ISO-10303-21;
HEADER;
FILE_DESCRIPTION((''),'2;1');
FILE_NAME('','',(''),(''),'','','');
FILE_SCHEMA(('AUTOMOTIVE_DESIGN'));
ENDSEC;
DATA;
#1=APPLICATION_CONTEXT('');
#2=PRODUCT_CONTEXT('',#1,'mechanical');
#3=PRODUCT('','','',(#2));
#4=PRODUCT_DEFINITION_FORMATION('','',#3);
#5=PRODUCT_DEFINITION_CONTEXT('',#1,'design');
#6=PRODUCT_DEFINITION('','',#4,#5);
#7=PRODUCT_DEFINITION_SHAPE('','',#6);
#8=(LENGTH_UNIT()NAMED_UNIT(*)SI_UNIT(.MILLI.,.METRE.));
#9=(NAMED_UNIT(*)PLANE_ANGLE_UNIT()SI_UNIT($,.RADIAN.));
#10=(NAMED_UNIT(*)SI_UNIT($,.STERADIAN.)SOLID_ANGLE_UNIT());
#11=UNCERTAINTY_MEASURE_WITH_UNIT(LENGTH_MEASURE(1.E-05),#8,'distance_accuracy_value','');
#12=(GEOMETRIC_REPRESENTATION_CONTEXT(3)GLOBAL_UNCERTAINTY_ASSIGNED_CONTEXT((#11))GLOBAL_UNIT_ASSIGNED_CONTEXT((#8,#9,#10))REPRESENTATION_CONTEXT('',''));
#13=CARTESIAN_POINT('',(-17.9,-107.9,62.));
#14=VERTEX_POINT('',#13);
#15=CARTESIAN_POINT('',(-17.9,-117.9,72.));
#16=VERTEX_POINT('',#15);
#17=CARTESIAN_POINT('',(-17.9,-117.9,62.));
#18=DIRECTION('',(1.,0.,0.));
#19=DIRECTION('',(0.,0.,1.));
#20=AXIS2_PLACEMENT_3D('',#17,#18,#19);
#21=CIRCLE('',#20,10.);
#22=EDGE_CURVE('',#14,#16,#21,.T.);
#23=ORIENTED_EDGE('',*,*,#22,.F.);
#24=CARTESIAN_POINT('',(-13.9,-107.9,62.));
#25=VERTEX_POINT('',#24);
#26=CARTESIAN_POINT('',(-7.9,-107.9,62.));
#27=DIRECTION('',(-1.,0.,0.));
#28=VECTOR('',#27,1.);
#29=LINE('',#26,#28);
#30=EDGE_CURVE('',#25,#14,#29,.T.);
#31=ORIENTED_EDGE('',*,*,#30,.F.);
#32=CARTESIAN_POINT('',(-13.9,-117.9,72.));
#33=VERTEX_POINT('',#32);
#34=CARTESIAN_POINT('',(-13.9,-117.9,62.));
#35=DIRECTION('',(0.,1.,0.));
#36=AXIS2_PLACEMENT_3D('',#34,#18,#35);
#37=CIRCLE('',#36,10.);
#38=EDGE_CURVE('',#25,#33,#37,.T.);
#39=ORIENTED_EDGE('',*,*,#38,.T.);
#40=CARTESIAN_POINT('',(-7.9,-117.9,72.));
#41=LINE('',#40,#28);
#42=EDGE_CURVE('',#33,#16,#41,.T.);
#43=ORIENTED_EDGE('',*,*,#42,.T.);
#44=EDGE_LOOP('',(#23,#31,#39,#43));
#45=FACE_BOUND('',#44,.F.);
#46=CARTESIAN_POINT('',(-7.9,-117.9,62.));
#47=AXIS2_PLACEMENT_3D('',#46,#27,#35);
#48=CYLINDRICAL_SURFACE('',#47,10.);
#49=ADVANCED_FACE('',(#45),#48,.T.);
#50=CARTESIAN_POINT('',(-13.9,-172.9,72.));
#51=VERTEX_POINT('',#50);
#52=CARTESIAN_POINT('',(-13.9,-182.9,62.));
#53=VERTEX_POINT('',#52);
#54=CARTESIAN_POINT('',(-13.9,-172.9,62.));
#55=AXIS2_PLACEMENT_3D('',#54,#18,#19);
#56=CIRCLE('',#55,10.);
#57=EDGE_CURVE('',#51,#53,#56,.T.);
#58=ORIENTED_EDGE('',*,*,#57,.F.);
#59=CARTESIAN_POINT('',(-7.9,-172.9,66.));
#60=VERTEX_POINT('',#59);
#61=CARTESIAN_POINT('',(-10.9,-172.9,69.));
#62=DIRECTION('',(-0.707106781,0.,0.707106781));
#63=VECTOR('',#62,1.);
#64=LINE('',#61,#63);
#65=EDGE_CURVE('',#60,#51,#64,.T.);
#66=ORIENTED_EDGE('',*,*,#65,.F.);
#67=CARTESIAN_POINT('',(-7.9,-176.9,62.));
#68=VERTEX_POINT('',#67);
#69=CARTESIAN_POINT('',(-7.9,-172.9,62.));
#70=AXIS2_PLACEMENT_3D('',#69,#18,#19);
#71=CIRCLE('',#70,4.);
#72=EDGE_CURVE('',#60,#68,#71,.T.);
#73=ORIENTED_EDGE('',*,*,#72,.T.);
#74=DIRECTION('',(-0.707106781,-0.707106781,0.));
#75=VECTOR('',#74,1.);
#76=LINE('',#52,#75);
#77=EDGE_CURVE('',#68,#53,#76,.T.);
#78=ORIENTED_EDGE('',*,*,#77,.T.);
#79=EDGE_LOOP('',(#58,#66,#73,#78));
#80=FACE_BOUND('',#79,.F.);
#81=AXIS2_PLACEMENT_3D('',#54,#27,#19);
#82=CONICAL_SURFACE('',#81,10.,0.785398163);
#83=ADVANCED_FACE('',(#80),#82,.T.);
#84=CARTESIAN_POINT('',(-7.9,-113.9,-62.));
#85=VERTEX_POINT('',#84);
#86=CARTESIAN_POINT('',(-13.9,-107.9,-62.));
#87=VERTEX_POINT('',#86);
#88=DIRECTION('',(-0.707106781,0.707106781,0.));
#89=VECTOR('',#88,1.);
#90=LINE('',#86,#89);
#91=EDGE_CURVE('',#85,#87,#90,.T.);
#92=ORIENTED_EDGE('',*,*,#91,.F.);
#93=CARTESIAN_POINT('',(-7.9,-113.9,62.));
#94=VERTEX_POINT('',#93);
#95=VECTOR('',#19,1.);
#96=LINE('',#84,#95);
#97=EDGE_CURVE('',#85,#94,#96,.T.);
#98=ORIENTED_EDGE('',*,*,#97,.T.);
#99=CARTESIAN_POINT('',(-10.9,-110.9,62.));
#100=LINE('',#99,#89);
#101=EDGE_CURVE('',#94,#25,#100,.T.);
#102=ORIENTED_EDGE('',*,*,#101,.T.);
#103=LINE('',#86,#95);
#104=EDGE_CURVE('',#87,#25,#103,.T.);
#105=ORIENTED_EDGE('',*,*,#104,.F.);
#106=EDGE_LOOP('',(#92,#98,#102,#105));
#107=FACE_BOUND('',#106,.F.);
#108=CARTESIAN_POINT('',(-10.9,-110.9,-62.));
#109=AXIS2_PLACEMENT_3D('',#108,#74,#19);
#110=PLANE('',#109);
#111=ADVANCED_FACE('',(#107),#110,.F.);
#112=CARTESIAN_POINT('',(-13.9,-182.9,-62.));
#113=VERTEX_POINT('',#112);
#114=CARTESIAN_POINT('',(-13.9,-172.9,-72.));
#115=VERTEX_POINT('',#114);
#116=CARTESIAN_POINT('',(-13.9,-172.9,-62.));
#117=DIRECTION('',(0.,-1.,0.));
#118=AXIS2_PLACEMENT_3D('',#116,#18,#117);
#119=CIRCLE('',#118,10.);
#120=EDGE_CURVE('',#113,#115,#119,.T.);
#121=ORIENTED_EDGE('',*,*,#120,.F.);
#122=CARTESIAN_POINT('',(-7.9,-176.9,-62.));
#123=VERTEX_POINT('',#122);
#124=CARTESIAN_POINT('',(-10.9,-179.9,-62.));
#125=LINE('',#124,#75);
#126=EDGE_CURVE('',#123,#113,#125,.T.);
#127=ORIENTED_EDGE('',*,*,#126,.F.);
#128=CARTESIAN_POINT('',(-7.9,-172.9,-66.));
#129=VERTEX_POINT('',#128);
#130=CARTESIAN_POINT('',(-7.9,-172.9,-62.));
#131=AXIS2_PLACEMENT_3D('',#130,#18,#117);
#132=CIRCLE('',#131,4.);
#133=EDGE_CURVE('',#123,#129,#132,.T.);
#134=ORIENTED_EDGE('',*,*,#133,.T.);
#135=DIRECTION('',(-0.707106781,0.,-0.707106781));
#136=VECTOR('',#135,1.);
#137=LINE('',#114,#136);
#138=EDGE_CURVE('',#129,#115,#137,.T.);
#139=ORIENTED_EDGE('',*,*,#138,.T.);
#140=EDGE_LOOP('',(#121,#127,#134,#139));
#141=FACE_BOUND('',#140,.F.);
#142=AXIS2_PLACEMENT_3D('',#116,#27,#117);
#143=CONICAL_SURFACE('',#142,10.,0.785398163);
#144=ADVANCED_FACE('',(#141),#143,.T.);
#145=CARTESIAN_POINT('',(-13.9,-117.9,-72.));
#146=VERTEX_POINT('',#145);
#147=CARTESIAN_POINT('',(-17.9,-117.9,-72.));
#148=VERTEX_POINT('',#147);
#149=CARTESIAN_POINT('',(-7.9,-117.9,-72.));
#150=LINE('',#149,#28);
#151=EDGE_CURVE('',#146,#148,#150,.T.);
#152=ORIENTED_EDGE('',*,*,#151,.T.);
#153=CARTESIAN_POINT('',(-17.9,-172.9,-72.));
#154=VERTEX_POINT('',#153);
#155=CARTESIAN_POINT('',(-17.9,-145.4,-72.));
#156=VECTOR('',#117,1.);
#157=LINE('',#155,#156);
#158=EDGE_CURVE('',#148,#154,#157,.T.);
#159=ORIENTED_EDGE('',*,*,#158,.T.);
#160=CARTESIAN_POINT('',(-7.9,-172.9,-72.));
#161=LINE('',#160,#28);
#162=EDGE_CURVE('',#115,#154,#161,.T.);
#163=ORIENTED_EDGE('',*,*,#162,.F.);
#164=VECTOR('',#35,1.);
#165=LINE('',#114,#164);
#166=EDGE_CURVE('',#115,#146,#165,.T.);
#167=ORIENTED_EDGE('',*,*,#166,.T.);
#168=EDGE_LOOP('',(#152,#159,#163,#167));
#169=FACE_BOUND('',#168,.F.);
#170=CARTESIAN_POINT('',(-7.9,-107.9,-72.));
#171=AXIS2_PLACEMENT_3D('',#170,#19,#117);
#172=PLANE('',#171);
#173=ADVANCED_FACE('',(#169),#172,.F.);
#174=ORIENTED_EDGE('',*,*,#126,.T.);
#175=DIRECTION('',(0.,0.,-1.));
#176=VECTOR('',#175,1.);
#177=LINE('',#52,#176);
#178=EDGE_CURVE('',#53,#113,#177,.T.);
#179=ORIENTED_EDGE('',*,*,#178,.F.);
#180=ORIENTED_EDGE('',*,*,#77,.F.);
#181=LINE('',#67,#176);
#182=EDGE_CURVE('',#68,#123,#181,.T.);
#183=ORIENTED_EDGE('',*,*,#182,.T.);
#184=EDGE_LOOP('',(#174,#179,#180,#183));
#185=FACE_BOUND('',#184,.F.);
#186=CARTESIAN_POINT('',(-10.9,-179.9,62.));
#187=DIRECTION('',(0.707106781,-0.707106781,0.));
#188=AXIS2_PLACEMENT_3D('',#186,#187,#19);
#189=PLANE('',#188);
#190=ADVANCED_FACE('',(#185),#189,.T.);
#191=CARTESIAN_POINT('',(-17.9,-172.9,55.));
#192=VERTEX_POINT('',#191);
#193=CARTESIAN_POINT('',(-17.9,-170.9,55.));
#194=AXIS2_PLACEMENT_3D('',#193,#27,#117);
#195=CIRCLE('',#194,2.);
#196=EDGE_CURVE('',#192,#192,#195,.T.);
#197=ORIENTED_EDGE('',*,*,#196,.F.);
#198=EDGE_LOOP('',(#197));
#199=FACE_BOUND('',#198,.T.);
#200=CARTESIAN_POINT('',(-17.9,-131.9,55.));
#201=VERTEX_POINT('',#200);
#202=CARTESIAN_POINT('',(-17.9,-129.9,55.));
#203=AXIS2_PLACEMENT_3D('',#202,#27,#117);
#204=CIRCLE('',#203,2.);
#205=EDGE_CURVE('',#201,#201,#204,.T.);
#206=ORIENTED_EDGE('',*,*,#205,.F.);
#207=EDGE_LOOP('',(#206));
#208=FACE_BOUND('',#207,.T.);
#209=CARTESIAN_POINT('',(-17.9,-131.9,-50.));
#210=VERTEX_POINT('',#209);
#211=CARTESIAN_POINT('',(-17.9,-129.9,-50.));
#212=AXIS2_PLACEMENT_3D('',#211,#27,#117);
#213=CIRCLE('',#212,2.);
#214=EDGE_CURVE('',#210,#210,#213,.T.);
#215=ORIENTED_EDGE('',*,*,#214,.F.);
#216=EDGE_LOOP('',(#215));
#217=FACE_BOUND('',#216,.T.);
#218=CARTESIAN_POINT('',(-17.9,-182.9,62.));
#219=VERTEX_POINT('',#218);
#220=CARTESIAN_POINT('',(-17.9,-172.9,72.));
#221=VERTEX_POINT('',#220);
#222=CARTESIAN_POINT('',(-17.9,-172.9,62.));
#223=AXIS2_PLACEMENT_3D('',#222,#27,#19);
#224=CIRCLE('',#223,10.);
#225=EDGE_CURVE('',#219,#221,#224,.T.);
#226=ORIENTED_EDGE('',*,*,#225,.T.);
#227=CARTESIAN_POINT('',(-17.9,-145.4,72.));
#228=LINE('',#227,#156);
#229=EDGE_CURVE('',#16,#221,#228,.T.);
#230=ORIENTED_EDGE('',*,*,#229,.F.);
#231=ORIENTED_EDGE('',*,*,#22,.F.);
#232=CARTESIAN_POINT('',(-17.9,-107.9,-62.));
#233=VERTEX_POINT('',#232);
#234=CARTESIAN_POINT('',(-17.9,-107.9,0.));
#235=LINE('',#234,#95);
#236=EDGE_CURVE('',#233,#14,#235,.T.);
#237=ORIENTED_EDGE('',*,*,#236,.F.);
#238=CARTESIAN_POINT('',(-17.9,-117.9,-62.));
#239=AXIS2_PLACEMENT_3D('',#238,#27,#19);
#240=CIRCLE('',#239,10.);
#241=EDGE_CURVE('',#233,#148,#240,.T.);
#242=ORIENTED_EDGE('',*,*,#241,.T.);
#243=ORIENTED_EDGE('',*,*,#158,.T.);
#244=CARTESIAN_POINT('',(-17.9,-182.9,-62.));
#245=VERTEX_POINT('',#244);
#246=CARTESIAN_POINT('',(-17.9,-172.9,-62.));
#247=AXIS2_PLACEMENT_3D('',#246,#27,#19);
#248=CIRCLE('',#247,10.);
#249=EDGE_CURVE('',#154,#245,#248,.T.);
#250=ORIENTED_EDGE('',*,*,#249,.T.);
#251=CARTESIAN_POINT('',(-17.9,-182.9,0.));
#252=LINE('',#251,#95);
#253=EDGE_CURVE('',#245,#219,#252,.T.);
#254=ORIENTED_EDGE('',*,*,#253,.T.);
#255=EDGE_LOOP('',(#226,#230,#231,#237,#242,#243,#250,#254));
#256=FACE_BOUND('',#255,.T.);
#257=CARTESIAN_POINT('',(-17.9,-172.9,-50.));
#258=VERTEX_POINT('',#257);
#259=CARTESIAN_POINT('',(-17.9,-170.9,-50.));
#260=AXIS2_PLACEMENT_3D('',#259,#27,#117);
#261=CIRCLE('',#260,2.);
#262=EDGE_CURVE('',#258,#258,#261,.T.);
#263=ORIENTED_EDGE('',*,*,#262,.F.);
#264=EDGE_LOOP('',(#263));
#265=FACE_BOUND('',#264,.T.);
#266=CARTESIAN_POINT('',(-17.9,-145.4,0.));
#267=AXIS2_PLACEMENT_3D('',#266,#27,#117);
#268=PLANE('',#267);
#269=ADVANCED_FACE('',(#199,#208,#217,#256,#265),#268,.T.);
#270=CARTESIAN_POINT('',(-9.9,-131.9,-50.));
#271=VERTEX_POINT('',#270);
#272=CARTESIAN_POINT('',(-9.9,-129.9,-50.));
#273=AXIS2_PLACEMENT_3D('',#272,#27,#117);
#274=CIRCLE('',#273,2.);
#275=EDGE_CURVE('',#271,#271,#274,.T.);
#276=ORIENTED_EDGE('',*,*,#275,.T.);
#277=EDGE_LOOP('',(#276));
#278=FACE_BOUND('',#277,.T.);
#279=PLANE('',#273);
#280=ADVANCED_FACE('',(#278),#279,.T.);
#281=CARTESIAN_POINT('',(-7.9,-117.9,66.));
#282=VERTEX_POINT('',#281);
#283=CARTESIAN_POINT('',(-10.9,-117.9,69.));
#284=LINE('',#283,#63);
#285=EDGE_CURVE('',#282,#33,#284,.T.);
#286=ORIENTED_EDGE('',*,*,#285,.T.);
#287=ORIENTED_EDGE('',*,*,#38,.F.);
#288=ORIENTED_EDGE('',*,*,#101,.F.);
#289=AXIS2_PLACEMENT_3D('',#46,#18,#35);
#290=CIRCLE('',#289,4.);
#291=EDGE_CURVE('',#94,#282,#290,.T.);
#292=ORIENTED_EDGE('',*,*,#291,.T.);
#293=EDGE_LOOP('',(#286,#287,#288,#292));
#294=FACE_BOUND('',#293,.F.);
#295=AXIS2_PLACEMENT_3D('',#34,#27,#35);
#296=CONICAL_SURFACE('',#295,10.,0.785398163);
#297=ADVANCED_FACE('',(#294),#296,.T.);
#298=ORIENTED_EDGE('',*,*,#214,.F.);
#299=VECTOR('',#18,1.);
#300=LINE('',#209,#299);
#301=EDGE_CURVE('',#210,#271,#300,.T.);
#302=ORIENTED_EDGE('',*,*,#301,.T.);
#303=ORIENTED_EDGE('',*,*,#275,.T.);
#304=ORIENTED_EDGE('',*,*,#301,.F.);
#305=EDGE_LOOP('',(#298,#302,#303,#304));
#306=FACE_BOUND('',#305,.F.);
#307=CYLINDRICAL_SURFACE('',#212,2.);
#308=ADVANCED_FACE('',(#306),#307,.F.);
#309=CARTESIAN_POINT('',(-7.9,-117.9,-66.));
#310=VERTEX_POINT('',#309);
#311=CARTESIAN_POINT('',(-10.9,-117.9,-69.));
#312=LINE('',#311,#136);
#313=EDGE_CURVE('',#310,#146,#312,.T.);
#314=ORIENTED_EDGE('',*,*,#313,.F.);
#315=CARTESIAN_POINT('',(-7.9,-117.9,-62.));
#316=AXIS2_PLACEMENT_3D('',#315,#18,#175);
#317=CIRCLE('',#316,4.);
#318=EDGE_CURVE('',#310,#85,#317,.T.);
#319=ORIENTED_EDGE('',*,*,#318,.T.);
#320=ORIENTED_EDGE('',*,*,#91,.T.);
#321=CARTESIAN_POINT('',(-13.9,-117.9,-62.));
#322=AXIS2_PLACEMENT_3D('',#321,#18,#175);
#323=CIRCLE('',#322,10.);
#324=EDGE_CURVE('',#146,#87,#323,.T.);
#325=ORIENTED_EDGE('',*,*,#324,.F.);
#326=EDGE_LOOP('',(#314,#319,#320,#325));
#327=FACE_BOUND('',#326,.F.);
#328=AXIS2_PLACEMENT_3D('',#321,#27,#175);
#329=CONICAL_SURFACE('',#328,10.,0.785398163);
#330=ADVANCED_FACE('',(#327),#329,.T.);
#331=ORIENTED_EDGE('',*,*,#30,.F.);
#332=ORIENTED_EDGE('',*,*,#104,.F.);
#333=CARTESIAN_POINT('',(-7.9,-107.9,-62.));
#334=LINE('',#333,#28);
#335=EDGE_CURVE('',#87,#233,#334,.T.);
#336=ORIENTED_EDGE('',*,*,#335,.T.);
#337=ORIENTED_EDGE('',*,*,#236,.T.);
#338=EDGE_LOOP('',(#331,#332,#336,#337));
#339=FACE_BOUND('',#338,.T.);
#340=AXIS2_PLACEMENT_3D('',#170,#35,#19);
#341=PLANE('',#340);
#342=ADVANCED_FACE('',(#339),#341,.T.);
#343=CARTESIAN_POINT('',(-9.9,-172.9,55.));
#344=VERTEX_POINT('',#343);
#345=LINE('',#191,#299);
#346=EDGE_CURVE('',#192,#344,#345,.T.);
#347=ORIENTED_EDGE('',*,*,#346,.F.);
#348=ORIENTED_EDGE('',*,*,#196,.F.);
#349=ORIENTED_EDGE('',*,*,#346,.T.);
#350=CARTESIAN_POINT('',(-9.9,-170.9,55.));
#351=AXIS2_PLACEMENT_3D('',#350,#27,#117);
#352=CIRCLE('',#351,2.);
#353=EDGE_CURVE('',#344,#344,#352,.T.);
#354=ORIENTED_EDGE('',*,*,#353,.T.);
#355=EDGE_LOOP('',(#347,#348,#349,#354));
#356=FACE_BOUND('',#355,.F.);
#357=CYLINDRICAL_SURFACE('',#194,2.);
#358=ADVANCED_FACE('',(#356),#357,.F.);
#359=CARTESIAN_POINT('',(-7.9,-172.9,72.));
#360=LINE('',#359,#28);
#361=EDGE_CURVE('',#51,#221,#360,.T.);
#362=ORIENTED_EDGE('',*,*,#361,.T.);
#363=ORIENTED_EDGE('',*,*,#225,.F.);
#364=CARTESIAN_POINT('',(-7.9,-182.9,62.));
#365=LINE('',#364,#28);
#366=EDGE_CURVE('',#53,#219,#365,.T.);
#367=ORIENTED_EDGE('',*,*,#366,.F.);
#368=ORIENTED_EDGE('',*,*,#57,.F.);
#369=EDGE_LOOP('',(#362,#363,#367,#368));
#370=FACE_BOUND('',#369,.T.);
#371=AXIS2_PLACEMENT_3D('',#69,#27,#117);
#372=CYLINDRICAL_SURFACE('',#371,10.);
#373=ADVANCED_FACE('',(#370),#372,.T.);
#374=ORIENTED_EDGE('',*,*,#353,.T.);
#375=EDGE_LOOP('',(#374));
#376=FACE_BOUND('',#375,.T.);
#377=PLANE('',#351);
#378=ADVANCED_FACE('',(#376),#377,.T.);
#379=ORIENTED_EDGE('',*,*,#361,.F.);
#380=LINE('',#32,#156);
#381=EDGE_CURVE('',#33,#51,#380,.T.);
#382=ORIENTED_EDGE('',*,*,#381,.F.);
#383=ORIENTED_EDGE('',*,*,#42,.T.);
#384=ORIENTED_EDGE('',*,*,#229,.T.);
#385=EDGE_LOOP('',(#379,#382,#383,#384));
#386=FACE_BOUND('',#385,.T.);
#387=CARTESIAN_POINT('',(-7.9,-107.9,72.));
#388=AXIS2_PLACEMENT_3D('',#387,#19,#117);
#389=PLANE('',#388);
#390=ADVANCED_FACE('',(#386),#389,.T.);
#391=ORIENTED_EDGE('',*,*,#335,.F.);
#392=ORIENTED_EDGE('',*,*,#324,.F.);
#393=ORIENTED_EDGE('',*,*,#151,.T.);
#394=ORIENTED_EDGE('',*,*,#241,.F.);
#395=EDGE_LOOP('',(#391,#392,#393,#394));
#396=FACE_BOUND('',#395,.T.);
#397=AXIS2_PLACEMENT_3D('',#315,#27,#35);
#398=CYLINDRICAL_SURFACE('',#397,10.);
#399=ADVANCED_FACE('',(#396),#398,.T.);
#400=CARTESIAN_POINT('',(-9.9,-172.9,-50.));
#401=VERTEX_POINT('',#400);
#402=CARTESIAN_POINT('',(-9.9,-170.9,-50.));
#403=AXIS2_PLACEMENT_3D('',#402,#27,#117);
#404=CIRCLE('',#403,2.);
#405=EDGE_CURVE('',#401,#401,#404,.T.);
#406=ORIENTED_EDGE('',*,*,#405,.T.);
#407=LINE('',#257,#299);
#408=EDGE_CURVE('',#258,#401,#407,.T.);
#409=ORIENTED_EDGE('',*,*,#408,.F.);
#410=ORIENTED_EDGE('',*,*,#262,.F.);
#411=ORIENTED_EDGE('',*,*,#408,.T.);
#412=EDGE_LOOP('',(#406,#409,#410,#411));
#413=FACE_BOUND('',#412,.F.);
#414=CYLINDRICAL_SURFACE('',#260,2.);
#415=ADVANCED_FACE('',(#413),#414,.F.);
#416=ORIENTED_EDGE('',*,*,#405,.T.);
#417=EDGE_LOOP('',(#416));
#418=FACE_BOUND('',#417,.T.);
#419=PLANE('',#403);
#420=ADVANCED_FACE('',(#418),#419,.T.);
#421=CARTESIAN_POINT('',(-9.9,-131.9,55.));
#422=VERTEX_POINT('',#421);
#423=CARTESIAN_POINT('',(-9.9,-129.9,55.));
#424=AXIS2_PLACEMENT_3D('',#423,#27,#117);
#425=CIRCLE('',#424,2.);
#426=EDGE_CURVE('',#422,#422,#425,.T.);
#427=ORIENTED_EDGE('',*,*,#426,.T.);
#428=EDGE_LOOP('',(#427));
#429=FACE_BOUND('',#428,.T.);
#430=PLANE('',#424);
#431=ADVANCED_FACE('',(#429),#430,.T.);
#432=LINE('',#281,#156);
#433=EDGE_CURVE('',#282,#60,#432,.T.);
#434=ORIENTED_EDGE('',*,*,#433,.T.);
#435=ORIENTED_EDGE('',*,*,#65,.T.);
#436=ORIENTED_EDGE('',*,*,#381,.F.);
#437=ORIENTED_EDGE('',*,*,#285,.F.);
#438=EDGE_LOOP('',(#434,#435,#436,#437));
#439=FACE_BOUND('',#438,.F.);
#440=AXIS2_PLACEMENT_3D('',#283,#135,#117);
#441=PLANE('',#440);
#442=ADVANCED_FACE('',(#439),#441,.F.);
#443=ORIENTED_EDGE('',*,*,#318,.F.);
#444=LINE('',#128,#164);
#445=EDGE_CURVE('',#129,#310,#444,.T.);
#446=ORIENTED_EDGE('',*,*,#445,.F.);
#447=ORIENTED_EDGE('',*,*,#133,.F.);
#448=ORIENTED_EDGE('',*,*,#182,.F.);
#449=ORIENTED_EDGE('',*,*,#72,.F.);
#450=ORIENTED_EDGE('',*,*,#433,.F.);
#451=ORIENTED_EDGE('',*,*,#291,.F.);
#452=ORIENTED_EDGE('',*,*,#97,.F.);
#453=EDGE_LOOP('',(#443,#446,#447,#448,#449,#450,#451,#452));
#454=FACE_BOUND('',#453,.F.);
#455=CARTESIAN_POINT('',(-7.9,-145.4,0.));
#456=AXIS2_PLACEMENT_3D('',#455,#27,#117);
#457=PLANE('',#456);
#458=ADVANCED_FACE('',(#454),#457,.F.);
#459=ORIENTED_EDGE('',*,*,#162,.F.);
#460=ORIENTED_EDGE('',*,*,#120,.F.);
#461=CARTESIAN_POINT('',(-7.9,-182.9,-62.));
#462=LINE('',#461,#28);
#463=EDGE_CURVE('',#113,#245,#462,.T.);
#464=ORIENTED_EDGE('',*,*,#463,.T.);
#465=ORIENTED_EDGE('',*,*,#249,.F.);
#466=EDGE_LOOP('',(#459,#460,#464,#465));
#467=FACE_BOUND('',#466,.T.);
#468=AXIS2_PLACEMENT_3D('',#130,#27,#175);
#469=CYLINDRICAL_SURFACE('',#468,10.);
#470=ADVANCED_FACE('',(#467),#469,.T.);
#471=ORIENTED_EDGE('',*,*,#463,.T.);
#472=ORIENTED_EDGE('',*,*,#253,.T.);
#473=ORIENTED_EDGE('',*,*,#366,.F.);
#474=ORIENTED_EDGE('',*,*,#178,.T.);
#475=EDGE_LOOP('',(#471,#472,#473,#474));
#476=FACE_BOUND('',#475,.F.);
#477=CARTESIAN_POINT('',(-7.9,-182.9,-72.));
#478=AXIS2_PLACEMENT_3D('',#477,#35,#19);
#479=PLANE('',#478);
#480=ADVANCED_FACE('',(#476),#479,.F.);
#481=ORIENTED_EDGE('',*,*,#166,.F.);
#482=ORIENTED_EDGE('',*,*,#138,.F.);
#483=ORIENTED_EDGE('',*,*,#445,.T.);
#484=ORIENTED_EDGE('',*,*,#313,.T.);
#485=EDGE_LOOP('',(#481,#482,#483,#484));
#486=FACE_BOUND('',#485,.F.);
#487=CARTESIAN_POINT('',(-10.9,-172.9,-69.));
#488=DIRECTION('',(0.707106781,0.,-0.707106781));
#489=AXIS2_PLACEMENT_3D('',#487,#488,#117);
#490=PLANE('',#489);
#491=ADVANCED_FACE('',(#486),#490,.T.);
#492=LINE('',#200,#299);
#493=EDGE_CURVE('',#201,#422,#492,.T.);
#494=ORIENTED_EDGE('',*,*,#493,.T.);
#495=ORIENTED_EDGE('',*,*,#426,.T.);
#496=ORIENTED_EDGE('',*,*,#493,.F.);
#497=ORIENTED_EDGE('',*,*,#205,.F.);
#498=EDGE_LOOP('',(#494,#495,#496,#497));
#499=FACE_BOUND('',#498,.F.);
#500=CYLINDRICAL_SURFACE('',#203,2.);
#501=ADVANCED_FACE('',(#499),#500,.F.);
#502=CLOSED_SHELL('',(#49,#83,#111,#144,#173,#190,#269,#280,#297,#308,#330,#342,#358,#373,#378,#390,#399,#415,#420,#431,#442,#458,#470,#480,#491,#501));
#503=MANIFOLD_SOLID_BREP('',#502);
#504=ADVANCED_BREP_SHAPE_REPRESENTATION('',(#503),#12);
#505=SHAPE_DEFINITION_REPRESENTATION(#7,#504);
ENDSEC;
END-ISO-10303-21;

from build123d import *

# Parameters (mm, degrees)
SKETCH156_W             = 75
SKETCH156_H             = 144
PAD044_DEPTH            = 10
FILLET024_R             = 10
CHAMFER009_SIZE         = 6
SKETCH164_R             = 2
POCKET055_DEPTH         = 8
BODY015_PLACEMENT_ANGLE = 180


with BuildPart() as part:
    # Sketch156 → Pad044 (new body)
    with BuildSketch(Plane.YZ):
        with Locations((0.5, 0)):
            Rectangle(SKETCH156_W, SKETCH156_H)
    extrude(amount=PAD044_DEPTH)

    # Fillet024
    fillet024_edges = [part.edges().sort_by_distance(p)[0] for p in [
        (5, 38, -72),
        (5, -37, -72),
        (5, -37, 72),
        (5, 38, 72),
    ]]
    fillet(fillet024_edges, radius=FILLET024_R)

    # Chamfer009
    chamfer009_edges = [part.edges().sort_by_distance(p)[0] for p in [
        (0, 0.5, 72),
        (0, -37, 0),
        (0, 38, 0),
        (0, 0.5, -72),
    ]]
    chamfer(chamfer009_edges, length=CHAMFER009_SIZE)

    # Sketch164 (on Face4 of Chamfer009) → Pocket055 (cut)
    with BuildSketch(Plane.YZ.offset(10)):
        with Locations((-15, 55)):
            Circle(SKETCH164_R)
        with Locations((26, 55)):
            Circle(SKETCH164_R)
        with Locations((-15, -50)):
            Circle(SKETCH164_R)
        with Locations((26, -50)):
            Circle(SKETCH164_R)
    extrude(amount=-POCKET055_DEPTH, mode=Mode.SUBTRACT)


with BuildPart() as part_1:
    # Body015 placement: moved
    add(part.part.moved(Location((-7.9, -144.9, 0))).rotate(Axis((-7.9, -144.9, 0), (0, 0, 1)), BODY015_PLACEMENT_ANGLE))


solid = part_1.part
